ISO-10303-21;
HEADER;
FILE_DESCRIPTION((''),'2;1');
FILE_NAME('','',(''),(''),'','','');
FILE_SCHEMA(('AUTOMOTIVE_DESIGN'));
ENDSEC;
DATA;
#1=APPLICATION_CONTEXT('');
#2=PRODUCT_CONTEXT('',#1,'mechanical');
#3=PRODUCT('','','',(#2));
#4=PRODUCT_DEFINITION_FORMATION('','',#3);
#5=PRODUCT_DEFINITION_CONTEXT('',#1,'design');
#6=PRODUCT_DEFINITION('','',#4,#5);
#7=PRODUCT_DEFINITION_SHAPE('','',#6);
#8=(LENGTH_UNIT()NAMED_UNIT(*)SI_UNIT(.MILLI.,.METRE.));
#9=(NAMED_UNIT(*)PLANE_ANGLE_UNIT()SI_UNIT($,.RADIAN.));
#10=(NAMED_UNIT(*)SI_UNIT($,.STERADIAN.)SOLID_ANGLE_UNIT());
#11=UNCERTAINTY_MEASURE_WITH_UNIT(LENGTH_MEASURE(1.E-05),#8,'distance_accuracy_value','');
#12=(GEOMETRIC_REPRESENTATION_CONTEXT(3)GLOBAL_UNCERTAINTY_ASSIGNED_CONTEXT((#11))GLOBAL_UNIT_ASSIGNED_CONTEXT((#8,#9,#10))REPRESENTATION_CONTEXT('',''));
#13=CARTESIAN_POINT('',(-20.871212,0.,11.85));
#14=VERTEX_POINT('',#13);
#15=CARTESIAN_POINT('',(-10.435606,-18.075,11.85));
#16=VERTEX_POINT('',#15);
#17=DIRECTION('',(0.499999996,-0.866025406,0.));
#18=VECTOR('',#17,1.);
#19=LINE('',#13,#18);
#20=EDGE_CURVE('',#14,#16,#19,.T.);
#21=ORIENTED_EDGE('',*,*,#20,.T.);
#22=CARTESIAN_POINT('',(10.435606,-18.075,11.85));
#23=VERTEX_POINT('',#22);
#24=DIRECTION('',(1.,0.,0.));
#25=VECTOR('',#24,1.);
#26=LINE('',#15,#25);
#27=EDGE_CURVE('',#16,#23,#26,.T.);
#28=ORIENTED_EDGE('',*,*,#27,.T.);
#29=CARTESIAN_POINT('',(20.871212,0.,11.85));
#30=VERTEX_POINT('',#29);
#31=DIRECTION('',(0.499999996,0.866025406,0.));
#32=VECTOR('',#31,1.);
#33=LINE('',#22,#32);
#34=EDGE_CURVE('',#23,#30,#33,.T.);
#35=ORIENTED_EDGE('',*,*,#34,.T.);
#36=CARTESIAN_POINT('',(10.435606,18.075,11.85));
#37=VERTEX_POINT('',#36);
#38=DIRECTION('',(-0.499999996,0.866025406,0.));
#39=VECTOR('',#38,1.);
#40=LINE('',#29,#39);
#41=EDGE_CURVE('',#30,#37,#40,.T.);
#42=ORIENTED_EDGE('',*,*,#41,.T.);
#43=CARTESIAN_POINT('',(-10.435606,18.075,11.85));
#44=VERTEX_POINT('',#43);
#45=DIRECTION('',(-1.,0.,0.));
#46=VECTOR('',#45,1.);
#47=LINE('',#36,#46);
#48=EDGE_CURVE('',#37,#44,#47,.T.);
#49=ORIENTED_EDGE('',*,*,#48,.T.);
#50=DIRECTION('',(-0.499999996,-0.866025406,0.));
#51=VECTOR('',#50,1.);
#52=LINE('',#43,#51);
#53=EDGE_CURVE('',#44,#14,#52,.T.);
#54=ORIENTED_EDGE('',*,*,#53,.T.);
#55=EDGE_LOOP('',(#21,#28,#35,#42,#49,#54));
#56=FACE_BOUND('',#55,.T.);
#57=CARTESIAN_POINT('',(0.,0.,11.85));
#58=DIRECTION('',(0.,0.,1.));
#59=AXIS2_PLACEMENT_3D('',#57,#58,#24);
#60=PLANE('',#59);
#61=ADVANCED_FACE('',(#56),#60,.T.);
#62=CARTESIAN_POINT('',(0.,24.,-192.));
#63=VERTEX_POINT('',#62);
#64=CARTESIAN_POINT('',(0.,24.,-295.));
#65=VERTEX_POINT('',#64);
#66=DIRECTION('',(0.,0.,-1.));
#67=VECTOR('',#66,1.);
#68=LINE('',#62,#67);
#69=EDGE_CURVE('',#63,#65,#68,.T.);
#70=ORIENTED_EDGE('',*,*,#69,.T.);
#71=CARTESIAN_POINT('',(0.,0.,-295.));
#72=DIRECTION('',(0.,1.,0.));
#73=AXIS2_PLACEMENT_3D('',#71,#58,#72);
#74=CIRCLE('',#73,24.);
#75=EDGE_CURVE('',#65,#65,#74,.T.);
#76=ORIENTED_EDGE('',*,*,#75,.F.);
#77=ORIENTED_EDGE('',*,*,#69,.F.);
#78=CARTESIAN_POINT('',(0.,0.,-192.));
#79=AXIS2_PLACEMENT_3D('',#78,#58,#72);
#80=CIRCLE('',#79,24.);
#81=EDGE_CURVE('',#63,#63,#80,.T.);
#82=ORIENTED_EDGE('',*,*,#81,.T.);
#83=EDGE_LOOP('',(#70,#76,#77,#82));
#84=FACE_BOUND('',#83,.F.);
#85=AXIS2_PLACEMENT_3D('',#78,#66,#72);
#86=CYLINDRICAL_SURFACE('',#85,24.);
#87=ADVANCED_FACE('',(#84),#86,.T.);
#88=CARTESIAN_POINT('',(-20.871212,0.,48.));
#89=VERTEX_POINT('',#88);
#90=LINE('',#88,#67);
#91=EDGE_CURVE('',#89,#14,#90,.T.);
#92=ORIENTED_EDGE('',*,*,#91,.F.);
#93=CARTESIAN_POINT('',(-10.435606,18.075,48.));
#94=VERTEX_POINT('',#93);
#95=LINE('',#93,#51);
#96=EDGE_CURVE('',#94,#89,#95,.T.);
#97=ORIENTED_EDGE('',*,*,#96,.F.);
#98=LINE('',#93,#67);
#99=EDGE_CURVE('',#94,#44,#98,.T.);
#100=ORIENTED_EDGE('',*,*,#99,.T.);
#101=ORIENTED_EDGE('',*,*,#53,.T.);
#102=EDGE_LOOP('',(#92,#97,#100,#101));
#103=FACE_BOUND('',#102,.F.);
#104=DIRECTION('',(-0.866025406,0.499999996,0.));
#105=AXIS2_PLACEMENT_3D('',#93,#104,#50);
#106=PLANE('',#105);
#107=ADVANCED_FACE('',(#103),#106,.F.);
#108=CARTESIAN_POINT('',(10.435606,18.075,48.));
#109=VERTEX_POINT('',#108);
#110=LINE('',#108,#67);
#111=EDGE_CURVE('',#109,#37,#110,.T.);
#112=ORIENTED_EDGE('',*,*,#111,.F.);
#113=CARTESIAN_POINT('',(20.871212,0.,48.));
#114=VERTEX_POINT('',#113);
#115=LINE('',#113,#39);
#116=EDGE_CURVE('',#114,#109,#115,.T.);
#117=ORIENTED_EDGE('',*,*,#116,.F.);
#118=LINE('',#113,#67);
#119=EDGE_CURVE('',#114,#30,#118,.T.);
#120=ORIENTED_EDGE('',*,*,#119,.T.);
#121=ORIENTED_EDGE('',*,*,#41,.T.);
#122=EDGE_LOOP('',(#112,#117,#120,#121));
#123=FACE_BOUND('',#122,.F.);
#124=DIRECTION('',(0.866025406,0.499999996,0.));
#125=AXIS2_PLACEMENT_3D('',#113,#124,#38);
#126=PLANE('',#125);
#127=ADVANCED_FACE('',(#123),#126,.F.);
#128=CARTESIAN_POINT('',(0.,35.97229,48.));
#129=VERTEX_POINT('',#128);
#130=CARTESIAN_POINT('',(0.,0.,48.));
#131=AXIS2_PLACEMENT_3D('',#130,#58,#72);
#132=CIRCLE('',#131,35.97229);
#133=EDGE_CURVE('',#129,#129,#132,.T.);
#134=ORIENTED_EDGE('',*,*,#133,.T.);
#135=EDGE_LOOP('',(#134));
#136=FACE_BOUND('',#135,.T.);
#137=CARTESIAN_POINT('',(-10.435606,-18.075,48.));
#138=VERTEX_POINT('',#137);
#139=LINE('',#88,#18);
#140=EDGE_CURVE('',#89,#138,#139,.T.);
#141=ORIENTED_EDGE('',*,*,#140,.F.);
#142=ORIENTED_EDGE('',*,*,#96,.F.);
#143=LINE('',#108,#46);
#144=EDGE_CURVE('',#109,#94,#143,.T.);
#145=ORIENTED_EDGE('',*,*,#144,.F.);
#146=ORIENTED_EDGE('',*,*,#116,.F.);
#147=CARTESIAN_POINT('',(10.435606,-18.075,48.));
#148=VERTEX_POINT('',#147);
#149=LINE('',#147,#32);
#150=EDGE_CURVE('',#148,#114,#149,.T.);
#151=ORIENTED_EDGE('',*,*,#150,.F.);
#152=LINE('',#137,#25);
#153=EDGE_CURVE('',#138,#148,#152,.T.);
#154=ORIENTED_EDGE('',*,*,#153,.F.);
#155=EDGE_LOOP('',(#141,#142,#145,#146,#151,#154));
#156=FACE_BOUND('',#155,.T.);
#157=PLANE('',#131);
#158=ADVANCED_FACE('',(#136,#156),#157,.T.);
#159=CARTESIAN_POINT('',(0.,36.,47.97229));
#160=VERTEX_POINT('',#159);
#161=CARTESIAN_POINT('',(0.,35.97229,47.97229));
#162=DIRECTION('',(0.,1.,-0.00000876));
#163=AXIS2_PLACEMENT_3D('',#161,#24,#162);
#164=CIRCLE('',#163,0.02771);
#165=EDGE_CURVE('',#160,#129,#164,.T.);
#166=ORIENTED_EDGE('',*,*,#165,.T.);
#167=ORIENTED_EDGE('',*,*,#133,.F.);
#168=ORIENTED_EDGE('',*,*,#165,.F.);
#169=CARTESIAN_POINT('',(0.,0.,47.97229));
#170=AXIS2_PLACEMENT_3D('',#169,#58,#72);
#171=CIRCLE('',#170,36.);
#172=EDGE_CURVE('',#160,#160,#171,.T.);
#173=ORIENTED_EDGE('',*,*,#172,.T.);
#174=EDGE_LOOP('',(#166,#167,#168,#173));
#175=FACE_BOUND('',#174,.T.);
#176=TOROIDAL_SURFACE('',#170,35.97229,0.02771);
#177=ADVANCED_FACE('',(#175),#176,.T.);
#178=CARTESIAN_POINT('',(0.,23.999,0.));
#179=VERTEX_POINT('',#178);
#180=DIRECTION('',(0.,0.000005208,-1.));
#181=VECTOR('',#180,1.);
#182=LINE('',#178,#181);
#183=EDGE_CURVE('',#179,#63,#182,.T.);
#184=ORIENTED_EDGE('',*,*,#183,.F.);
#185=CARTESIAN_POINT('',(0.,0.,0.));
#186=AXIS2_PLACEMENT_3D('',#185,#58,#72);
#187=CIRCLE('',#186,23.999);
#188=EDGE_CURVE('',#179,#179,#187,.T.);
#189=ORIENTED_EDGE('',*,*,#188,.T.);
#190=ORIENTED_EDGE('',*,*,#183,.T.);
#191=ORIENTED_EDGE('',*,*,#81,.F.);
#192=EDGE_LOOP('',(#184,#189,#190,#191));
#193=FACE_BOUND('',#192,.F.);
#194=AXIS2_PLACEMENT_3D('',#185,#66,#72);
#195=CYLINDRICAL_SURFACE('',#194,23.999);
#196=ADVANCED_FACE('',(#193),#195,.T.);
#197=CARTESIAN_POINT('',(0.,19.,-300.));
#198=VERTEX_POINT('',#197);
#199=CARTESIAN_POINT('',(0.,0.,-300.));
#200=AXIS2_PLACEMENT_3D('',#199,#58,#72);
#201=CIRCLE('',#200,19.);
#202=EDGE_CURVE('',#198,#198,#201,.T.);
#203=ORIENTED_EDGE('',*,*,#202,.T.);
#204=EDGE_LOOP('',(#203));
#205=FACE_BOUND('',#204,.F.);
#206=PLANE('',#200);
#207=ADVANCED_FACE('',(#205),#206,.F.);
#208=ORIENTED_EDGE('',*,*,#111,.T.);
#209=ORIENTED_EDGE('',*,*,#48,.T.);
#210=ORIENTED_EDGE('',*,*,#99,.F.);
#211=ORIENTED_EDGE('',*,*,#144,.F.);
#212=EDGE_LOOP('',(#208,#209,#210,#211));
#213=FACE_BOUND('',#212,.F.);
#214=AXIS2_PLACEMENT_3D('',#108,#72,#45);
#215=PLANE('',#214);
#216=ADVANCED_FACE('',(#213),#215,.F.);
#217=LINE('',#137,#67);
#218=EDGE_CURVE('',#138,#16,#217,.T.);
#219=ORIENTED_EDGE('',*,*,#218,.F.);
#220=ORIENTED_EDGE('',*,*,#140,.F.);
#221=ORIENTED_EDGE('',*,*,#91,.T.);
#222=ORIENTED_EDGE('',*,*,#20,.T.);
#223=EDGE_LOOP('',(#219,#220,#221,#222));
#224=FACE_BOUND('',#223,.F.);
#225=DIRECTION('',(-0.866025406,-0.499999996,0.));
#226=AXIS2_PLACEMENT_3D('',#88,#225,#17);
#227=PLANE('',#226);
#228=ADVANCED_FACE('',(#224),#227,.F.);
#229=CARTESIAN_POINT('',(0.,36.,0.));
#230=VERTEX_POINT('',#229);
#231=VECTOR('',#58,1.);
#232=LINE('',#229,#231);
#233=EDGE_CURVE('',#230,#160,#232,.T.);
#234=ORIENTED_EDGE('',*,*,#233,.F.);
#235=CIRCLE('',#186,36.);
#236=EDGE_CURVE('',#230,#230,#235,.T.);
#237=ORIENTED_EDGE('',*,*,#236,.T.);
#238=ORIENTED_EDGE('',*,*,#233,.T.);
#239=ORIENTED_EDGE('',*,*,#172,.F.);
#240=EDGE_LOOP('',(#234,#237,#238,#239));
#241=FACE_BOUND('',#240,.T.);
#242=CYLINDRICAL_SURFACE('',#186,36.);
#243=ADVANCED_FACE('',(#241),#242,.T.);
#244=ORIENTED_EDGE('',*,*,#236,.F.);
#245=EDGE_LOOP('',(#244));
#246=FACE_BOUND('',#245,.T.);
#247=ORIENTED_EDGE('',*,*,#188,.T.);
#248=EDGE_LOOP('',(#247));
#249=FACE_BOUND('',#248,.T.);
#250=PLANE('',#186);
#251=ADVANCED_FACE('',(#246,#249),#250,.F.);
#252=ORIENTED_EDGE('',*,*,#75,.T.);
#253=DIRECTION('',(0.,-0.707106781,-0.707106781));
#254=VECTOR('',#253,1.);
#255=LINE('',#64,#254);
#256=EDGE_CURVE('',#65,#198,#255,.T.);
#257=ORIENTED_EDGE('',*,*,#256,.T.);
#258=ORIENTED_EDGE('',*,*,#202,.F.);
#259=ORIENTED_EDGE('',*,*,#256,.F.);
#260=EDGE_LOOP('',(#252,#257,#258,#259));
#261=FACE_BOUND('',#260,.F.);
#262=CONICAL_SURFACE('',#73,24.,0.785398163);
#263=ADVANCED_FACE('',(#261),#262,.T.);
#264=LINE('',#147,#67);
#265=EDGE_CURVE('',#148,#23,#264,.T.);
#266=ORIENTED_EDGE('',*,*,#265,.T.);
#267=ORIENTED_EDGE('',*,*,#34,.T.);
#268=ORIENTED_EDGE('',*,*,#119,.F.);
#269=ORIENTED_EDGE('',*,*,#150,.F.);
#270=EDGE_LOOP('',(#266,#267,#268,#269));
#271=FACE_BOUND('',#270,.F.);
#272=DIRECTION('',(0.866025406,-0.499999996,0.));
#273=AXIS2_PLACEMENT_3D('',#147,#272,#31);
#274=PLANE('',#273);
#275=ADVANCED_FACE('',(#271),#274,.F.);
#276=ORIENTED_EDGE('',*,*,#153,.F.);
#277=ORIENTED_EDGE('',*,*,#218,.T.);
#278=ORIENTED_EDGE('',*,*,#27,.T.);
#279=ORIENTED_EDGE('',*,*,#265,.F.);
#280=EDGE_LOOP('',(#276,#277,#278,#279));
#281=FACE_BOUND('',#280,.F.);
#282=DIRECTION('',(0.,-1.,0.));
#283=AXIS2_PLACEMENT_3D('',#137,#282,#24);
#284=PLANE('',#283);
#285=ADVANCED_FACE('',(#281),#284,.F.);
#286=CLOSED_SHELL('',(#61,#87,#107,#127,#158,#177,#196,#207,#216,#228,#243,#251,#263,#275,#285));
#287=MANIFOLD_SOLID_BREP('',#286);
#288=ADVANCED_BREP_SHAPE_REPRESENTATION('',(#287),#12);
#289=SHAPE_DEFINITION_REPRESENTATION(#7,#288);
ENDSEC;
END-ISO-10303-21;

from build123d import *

# Parameters (mm, degrees)
POCKET_DEPTH = 36.15


with BuildPart() as part:
    # Sketch → Revolve (revolve)
    with BuildSketch(Plane.YZ):
        with BuildLine():
            Line((23.999, 0), (36, 0))
            Line((36, 0), (36, 47.97229))
            ThreePointArc((36, 47.97229), (35.991884, 47.991884), (35.97229, 48))
            Line((35.97229, 48), (0, 48))
            Line((0, -300), (0, 48))
            Line((19, -300), (0, -300))
            Line((24, -295), (19, -300))
            Line((24, -192), (24, -295))
            Line((23.999, 0), (24, -192))
        make_face()
    revolve(axis=Axis((0, 0, 0), (0, 0, 1)))

    # Sketch001 → Pocket (cut)
    with BuildSketch(Plane.XY.offset(48)):
        Polygon((20.871212, 0), (10.435606, 18.075), (-10.435606, 18.075), (-20.871212, 0), (-10.435606, -18.075), (10.435606, -18.075), align=None)
    extrude(amount=-POCKET_DEPTH, mode=Mode.SUBTRACT)


solid = part.part
